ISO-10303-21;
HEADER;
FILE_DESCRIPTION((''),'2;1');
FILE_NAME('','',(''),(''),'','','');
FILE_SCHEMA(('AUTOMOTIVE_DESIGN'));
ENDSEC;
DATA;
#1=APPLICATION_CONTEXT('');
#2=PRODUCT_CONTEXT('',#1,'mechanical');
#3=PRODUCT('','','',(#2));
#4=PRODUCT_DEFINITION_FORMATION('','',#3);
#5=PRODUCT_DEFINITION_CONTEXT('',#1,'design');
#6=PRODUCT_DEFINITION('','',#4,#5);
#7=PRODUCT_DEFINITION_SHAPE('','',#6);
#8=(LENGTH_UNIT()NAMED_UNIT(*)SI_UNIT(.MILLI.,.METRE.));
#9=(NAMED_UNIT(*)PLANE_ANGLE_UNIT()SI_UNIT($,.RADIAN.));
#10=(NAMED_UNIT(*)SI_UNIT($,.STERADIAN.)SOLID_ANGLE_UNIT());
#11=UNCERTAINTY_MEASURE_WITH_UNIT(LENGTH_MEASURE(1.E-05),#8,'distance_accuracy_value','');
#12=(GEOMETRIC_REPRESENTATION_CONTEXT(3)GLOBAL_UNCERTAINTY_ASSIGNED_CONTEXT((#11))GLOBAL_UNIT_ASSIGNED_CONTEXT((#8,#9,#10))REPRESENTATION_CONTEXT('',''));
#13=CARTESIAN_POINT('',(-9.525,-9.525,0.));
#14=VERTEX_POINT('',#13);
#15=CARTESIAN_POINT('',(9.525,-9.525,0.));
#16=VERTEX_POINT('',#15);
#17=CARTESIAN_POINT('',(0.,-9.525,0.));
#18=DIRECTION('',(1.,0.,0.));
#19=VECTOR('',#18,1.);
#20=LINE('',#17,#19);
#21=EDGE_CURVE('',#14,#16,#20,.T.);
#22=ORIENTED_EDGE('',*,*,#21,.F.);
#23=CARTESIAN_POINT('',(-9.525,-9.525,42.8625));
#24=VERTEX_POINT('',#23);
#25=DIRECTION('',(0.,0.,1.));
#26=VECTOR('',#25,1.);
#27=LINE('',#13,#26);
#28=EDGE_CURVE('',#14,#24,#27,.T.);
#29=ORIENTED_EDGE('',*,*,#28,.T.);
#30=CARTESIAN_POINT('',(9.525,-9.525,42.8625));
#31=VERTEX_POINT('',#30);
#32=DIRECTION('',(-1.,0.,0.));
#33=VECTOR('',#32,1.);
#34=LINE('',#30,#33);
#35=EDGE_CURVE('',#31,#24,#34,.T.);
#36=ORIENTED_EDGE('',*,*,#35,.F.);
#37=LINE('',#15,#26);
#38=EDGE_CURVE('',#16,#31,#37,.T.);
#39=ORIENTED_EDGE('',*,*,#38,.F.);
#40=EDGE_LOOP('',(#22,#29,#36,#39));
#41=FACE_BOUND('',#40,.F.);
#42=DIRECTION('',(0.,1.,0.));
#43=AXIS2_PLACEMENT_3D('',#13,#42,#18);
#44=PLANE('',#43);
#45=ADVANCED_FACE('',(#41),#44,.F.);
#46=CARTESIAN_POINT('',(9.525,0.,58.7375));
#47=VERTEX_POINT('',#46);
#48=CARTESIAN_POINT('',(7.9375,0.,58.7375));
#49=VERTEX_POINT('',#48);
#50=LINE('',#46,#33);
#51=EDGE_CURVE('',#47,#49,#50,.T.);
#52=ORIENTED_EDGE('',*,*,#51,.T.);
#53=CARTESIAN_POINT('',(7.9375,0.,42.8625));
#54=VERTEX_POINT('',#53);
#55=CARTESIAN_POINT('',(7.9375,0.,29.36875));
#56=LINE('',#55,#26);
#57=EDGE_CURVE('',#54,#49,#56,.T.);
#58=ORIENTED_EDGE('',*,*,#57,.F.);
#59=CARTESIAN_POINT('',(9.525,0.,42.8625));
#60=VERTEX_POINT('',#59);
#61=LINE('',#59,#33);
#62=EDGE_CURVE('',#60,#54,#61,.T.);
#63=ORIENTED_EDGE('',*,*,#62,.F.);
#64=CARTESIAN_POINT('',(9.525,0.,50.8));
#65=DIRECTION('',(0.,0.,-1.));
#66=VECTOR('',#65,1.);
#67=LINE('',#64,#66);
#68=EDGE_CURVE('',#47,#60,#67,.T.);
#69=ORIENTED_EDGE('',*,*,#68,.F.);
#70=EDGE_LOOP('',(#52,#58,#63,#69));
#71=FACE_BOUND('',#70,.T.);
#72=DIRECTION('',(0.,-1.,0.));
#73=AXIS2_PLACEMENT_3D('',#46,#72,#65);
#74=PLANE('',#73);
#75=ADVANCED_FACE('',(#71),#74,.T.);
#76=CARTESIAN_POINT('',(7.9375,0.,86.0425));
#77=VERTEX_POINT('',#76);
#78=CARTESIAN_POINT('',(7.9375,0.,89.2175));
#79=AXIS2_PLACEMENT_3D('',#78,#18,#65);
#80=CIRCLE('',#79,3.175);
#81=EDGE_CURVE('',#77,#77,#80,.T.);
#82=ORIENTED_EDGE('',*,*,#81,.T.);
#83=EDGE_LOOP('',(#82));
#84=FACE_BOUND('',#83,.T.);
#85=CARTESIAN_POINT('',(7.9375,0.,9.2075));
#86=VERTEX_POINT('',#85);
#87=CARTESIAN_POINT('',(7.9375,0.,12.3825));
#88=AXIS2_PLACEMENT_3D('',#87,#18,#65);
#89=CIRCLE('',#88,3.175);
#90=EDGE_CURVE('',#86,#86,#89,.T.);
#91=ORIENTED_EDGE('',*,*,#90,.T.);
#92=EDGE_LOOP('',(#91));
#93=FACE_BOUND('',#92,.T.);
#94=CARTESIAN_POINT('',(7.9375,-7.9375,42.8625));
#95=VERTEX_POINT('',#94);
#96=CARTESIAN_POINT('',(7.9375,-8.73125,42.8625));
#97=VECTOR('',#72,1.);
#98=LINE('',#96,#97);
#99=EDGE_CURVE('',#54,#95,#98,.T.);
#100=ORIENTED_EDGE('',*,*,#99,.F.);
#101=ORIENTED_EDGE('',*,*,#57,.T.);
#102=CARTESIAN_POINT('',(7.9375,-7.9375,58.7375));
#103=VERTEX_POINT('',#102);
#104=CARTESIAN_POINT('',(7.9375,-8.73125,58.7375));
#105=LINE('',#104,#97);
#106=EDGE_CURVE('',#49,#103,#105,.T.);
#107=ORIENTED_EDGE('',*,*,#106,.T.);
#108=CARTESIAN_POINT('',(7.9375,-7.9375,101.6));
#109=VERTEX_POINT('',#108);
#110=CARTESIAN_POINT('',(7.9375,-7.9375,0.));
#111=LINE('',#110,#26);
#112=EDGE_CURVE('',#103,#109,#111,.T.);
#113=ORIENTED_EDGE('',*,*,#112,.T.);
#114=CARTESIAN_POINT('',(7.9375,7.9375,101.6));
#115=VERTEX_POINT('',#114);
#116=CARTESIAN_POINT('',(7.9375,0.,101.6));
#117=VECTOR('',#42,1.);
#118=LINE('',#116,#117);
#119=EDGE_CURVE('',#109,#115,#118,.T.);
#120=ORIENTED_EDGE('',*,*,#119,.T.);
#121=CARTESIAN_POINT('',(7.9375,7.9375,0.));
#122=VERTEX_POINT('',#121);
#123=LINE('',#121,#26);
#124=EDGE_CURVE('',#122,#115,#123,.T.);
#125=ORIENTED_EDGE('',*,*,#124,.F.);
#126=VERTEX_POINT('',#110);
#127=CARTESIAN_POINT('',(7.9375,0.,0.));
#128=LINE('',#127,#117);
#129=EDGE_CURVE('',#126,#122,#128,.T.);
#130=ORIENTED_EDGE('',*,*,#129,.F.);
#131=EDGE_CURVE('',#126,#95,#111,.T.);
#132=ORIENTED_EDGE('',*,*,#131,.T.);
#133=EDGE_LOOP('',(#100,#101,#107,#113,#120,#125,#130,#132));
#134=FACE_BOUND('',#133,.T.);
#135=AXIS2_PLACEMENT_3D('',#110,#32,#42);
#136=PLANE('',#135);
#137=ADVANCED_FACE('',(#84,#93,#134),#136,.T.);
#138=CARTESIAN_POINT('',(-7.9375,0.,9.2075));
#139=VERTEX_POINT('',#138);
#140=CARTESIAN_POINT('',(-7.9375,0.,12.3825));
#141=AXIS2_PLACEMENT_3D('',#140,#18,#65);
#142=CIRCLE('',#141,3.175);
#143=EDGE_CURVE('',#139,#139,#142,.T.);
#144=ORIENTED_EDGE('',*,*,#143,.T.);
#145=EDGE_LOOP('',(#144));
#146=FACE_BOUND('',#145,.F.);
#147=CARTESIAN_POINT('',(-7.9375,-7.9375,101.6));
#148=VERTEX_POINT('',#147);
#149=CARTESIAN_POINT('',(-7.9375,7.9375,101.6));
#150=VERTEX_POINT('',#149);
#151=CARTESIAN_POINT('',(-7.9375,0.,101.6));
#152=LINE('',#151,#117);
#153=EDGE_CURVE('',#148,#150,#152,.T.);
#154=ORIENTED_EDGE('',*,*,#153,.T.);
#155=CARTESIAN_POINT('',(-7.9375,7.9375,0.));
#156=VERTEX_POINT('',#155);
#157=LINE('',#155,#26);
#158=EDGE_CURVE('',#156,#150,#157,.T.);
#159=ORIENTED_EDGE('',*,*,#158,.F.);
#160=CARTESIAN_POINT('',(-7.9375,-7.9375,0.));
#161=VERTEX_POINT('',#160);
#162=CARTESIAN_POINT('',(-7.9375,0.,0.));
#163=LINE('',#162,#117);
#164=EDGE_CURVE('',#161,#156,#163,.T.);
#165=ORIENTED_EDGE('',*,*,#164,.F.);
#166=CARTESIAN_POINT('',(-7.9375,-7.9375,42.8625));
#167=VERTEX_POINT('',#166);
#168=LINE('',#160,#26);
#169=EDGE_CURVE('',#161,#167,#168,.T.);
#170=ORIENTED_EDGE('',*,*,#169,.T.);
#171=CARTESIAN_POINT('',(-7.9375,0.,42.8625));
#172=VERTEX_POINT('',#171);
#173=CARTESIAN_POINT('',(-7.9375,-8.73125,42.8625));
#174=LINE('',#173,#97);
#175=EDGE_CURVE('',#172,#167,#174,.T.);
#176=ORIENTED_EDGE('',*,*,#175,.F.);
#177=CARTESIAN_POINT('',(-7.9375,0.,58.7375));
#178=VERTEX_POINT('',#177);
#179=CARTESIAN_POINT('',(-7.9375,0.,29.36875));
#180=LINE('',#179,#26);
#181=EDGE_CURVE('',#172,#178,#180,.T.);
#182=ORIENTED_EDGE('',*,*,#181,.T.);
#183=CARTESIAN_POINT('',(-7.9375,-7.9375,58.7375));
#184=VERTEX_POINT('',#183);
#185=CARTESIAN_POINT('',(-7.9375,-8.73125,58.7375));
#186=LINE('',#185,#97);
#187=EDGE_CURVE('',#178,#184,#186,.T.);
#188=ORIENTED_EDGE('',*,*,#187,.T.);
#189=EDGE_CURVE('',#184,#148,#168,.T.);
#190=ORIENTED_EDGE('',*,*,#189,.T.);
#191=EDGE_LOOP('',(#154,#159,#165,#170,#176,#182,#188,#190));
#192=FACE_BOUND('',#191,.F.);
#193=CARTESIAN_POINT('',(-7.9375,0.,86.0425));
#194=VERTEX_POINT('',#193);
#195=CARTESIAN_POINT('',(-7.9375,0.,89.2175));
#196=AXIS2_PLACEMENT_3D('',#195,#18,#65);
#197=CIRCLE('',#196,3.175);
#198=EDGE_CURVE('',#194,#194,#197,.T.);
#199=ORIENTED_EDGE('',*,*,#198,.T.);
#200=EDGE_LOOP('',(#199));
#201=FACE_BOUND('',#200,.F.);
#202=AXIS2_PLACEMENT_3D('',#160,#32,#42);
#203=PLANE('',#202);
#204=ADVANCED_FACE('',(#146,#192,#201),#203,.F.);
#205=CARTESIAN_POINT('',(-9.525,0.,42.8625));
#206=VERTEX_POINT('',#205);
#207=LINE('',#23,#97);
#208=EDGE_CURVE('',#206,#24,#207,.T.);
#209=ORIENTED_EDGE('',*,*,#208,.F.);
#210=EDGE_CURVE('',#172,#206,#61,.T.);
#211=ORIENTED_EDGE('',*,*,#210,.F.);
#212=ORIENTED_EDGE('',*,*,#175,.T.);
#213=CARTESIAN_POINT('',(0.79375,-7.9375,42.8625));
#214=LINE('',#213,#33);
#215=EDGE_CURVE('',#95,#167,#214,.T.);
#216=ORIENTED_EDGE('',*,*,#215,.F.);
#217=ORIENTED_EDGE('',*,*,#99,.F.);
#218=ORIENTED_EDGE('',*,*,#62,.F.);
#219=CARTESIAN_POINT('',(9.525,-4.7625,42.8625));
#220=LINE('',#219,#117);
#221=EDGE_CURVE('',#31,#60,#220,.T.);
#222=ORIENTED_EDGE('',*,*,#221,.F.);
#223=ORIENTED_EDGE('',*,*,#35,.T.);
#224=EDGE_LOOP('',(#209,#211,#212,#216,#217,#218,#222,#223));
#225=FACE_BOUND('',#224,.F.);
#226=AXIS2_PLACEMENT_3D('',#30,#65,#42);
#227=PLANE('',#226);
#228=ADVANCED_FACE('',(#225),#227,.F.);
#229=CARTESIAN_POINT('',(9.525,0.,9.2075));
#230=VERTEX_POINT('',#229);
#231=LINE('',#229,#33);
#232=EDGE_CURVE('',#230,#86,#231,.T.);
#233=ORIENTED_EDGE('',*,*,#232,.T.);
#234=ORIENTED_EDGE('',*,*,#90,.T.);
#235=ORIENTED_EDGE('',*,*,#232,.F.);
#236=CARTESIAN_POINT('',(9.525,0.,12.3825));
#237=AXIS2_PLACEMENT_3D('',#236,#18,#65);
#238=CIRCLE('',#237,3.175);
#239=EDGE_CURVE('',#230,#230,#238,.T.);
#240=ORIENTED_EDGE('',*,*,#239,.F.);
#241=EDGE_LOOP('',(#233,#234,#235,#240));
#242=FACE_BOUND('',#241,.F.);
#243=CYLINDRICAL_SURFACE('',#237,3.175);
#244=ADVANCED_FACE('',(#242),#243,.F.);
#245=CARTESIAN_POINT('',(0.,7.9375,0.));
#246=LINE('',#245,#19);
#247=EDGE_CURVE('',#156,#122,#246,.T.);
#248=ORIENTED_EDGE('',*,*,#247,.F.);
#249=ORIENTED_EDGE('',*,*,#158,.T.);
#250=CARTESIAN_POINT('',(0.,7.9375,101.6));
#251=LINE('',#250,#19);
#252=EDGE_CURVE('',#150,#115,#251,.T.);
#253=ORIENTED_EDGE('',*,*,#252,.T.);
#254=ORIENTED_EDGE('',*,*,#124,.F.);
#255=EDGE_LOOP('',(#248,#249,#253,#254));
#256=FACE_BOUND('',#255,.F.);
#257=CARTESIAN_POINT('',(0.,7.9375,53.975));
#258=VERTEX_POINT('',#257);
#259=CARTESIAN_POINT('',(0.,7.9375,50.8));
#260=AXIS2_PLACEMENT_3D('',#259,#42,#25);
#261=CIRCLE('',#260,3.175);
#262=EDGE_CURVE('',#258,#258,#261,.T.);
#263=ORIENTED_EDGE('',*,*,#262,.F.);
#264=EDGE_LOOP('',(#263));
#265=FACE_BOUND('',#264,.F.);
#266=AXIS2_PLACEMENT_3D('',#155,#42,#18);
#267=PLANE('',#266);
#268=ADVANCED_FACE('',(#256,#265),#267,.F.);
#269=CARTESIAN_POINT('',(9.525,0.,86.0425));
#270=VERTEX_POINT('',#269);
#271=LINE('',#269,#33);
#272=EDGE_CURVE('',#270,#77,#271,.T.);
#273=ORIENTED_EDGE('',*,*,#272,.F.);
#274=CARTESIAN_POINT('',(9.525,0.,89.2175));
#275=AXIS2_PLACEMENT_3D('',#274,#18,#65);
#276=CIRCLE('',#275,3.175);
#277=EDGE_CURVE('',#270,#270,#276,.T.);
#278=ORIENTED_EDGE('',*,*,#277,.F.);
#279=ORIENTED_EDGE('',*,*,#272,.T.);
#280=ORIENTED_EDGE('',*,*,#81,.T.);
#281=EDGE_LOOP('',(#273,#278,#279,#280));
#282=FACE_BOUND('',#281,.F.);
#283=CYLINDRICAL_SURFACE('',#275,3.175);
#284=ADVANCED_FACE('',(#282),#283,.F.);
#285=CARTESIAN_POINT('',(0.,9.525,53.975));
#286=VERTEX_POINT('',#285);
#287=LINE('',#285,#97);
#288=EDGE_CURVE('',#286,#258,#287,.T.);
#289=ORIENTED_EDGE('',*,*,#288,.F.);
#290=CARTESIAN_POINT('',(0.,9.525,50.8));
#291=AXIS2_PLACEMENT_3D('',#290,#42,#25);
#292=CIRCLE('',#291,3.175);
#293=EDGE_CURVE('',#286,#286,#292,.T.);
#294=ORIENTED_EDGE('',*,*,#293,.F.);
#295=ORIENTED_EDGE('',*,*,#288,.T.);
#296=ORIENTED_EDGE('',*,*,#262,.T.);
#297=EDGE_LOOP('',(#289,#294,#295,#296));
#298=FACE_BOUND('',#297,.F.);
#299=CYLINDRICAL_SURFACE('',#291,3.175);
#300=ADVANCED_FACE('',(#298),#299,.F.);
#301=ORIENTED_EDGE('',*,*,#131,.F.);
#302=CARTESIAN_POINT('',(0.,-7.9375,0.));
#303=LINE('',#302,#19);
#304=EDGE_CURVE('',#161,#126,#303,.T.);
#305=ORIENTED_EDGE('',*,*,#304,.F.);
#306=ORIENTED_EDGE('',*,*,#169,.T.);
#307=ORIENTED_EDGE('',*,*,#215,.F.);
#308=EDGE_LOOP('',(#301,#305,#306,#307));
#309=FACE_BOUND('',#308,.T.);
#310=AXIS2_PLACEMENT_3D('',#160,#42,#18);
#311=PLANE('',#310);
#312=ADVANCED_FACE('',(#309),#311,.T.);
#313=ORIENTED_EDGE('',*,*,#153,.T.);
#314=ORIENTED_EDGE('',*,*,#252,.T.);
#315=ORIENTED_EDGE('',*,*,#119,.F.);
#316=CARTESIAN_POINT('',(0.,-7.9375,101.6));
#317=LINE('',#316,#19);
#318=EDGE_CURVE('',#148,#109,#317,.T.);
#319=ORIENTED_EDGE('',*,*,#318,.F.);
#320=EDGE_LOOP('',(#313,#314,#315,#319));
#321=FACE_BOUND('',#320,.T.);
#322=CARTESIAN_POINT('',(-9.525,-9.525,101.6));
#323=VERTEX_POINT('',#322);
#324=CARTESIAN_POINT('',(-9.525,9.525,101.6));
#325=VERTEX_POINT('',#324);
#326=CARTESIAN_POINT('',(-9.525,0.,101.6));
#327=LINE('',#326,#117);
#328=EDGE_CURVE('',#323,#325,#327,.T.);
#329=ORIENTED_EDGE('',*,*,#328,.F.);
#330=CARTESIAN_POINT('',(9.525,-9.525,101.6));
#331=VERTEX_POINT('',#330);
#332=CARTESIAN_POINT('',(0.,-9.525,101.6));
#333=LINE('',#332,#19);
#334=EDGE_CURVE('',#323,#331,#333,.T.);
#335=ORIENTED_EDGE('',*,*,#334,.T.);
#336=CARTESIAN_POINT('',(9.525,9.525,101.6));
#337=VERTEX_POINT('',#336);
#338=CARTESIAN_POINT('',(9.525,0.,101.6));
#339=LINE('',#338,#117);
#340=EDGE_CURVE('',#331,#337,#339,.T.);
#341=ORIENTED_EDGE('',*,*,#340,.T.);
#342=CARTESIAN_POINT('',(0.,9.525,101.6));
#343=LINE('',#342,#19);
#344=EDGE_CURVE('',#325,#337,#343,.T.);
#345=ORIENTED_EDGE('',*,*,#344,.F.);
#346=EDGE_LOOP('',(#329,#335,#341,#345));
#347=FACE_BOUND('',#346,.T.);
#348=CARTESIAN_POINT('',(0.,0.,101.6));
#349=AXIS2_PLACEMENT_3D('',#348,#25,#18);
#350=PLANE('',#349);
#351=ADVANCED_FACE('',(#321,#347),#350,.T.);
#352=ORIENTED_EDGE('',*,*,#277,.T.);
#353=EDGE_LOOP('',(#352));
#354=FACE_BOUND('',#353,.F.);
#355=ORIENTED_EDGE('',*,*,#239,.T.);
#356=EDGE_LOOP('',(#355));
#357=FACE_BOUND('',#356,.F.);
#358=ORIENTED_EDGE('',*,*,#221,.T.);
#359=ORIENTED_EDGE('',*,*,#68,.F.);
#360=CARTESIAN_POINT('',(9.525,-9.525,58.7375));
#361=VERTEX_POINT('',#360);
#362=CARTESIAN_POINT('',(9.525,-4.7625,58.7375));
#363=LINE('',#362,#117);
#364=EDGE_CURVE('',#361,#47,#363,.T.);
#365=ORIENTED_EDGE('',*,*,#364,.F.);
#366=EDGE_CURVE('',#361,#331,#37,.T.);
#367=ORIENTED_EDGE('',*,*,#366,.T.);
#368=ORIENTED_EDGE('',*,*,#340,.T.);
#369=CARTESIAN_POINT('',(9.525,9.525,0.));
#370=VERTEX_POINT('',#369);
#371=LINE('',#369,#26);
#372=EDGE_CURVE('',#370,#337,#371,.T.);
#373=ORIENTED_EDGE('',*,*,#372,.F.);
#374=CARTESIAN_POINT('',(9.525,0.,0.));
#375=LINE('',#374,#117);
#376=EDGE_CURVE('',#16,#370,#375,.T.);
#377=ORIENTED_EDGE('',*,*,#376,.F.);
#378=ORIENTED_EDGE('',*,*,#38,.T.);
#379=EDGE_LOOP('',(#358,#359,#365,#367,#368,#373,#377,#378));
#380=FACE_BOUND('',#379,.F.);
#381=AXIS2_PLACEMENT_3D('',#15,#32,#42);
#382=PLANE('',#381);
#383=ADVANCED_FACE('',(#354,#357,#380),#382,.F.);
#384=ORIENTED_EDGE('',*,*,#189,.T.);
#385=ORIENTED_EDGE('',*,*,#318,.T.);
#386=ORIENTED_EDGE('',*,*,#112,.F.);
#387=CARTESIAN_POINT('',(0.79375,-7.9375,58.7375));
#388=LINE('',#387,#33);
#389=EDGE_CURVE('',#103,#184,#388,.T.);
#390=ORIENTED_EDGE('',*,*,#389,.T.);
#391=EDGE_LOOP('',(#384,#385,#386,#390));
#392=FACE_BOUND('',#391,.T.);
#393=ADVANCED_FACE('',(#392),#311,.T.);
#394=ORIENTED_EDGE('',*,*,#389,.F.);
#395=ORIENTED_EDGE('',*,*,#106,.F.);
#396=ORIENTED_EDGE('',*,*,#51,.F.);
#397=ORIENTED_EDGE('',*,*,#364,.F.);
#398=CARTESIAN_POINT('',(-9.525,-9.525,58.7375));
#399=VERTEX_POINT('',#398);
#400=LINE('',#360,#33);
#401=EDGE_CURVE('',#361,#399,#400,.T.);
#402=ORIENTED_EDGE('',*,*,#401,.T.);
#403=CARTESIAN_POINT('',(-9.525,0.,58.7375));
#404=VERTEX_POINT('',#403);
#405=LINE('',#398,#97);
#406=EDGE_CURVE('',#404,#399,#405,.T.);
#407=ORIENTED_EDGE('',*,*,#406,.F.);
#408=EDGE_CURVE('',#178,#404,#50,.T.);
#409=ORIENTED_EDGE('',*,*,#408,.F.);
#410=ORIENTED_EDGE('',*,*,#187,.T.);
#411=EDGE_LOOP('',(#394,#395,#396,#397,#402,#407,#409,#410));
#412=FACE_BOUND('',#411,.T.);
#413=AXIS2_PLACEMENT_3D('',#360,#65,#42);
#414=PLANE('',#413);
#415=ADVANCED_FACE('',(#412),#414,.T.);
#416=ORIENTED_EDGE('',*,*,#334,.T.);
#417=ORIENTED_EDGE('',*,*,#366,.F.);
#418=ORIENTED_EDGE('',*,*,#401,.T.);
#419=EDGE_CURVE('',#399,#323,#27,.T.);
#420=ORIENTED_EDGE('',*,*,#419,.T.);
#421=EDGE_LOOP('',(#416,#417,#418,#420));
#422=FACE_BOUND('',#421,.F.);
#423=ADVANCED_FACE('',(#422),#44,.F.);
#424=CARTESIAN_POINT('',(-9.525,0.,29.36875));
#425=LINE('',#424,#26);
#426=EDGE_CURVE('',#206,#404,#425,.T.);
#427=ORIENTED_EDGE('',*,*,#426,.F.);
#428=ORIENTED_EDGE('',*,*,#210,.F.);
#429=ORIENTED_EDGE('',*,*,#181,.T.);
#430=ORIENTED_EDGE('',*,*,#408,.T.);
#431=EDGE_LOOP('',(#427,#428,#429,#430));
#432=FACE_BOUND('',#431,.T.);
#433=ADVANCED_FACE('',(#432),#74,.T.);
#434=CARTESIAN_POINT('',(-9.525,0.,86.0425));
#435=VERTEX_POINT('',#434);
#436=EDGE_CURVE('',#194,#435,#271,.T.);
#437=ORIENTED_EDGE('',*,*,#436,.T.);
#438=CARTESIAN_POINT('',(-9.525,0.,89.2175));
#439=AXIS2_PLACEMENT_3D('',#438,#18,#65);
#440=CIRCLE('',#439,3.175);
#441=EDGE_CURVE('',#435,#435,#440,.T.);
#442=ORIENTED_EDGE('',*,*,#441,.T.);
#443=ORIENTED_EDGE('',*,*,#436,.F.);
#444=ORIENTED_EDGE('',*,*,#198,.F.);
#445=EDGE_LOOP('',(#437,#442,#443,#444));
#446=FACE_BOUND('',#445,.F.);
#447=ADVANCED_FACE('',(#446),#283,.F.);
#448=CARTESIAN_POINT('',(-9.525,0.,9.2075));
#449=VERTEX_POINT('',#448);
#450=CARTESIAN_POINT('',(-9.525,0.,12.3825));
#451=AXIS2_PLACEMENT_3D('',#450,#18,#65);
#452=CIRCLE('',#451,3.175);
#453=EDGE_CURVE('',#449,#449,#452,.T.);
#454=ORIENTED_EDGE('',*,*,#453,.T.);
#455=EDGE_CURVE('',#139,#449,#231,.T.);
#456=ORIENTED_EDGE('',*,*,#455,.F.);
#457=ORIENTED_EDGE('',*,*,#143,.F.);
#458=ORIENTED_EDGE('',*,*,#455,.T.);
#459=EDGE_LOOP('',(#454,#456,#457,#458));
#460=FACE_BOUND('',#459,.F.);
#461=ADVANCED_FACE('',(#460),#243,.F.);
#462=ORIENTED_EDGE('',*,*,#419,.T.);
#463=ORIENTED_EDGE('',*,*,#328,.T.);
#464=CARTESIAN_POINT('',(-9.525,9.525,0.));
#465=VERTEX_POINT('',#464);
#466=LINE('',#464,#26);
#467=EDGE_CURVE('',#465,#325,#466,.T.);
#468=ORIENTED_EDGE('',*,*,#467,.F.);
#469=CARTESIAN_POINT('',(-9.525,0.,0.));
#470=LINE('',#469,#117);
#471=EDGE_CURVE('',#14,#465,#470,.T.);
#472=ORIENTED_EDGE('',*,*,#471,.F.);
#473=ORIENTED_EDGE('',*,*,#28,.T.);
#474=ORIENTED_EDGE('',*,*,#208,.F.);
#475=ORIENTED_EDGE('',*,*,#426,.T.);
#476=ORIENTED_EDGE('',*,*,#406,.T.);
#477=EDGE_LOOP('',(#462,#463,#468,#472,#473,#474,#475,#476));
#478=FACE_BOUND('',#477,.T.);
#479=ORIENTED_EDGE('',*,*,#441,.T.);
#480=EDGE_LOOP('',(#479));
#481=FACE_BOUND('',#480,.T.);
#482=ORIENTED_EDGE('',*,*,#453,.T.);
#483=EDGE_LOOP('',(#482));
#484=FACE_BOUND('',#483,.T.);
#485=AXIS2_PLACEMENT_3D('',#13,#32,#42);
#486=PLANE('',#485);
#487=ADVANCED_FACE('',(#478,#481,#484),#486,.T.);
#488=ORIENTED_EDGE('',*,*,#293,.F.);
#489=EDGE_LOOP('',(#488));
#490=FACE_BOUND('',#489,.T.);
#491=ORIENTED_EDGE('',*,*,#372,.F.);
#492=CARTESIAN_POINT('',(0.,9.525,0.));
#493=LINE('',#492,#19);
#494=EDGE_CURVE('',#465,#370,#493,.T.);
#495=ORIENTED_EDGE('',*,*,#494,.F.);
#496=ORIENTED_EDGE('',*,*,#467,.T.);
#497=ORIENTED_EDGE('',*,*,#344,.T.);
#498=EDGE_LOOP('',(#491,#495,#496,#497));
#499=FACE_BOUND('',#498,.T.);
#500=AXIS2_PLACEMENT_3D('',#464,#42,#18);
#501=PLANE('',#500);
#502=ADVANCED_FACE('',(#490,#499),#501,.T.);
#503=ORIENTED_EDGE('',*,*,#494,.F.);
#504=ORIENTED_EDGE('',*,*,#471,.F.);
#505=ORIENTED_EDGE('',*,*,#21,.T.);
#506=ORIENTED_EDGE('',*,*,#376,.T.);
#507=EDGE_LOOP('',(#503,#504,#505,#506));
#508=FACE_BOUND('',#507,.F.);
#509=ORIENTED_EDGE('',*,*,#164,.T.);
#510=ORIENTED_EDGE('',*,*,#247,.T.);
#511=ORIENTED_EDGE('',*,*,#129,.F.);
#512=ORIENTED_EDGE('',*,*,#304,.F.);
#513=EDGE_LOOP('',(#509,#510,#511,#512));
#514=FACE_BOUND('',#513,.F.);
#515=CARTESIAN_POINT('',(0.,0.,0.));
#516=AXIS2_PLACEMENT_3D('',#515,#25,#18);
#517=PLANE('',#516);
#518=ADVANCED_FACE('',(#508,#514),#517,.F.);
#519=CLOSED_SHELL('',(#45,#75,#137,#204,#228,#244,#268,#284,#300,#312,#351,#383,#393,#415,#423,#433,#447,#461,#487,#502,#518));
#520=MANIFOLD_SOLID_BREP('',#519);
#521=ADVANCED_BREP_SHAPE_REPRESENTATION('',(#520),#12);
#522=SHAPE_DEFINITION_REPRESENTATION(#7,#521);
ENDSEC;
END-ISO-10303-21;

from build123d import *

# Parameters (mm, degrees)
SKETCH1_W           = 19.05
SKETCH1_H           = 19.05
SKETCH1_W_2         = 15.875
SKETCH1_H_2         = 15.875
BOSS_EXTRUDE1_DEPTH = 101.6
SKETCH2_R           = 3.175
CUT_EXTRUDE1_DEPTH  = 104.808420299
SKETCH3_R           = 3.175
SKETCH3_W           = 15.875
SKETCH3_H           = 9.525
CUT_EXTRUDE2_DEPTH  = 104.808420299


with BuildPart() as part:
    # Sketch1 → Boss-Extrude1 (new body)
    with BuildSketch(Plane.XY):
        Rectangle(SKETCH1_W, SKETCH1_H)
        Rectangle(SKETCH1_W_2, SKETCH1_H_2, mode=Mode.SUBTRACT)
    extrude(amount=BOSS_EXTRUDE1_DEPTH)

    # Sketch2 → Cut-Extrude1 (cut, through all)
    with BuildSketch(Plane(origin=(0, 9.525, 0), x_dir=(1, 0, 0), z_dir=(0, 1, 0))):
        with Locations(Location((0, -50.8, 0), (0, 0, 270))):
            Circle(SKETCH2_R)
    extrude(amount=-CUT_EXTRUDE1_DEPTH, mode=Mode.SUBTRACT)

    # Sketch3 → Cut-Extrude2 (cut, through all)
    with BuildSketch(Plane(origin=(9.525, 0, 0), x_dir=(0, 0, -1), z_dir=(1, 0, 0))):
        with Locations((-89.2175, 0)):
            Circle(SKETCH3_R)
        with Locations((-12.3825, 0)):
            Circle(SKETCH3_R)
        with Locations((-50.8, -4.7625)):
            Rectangle(SKETCH3_W, SKETCH3_H)
    extrude(amount=-CUT_EXTRUDE2_DEPTH, mode=Mode.SUBTRACT)


solid = part.part
